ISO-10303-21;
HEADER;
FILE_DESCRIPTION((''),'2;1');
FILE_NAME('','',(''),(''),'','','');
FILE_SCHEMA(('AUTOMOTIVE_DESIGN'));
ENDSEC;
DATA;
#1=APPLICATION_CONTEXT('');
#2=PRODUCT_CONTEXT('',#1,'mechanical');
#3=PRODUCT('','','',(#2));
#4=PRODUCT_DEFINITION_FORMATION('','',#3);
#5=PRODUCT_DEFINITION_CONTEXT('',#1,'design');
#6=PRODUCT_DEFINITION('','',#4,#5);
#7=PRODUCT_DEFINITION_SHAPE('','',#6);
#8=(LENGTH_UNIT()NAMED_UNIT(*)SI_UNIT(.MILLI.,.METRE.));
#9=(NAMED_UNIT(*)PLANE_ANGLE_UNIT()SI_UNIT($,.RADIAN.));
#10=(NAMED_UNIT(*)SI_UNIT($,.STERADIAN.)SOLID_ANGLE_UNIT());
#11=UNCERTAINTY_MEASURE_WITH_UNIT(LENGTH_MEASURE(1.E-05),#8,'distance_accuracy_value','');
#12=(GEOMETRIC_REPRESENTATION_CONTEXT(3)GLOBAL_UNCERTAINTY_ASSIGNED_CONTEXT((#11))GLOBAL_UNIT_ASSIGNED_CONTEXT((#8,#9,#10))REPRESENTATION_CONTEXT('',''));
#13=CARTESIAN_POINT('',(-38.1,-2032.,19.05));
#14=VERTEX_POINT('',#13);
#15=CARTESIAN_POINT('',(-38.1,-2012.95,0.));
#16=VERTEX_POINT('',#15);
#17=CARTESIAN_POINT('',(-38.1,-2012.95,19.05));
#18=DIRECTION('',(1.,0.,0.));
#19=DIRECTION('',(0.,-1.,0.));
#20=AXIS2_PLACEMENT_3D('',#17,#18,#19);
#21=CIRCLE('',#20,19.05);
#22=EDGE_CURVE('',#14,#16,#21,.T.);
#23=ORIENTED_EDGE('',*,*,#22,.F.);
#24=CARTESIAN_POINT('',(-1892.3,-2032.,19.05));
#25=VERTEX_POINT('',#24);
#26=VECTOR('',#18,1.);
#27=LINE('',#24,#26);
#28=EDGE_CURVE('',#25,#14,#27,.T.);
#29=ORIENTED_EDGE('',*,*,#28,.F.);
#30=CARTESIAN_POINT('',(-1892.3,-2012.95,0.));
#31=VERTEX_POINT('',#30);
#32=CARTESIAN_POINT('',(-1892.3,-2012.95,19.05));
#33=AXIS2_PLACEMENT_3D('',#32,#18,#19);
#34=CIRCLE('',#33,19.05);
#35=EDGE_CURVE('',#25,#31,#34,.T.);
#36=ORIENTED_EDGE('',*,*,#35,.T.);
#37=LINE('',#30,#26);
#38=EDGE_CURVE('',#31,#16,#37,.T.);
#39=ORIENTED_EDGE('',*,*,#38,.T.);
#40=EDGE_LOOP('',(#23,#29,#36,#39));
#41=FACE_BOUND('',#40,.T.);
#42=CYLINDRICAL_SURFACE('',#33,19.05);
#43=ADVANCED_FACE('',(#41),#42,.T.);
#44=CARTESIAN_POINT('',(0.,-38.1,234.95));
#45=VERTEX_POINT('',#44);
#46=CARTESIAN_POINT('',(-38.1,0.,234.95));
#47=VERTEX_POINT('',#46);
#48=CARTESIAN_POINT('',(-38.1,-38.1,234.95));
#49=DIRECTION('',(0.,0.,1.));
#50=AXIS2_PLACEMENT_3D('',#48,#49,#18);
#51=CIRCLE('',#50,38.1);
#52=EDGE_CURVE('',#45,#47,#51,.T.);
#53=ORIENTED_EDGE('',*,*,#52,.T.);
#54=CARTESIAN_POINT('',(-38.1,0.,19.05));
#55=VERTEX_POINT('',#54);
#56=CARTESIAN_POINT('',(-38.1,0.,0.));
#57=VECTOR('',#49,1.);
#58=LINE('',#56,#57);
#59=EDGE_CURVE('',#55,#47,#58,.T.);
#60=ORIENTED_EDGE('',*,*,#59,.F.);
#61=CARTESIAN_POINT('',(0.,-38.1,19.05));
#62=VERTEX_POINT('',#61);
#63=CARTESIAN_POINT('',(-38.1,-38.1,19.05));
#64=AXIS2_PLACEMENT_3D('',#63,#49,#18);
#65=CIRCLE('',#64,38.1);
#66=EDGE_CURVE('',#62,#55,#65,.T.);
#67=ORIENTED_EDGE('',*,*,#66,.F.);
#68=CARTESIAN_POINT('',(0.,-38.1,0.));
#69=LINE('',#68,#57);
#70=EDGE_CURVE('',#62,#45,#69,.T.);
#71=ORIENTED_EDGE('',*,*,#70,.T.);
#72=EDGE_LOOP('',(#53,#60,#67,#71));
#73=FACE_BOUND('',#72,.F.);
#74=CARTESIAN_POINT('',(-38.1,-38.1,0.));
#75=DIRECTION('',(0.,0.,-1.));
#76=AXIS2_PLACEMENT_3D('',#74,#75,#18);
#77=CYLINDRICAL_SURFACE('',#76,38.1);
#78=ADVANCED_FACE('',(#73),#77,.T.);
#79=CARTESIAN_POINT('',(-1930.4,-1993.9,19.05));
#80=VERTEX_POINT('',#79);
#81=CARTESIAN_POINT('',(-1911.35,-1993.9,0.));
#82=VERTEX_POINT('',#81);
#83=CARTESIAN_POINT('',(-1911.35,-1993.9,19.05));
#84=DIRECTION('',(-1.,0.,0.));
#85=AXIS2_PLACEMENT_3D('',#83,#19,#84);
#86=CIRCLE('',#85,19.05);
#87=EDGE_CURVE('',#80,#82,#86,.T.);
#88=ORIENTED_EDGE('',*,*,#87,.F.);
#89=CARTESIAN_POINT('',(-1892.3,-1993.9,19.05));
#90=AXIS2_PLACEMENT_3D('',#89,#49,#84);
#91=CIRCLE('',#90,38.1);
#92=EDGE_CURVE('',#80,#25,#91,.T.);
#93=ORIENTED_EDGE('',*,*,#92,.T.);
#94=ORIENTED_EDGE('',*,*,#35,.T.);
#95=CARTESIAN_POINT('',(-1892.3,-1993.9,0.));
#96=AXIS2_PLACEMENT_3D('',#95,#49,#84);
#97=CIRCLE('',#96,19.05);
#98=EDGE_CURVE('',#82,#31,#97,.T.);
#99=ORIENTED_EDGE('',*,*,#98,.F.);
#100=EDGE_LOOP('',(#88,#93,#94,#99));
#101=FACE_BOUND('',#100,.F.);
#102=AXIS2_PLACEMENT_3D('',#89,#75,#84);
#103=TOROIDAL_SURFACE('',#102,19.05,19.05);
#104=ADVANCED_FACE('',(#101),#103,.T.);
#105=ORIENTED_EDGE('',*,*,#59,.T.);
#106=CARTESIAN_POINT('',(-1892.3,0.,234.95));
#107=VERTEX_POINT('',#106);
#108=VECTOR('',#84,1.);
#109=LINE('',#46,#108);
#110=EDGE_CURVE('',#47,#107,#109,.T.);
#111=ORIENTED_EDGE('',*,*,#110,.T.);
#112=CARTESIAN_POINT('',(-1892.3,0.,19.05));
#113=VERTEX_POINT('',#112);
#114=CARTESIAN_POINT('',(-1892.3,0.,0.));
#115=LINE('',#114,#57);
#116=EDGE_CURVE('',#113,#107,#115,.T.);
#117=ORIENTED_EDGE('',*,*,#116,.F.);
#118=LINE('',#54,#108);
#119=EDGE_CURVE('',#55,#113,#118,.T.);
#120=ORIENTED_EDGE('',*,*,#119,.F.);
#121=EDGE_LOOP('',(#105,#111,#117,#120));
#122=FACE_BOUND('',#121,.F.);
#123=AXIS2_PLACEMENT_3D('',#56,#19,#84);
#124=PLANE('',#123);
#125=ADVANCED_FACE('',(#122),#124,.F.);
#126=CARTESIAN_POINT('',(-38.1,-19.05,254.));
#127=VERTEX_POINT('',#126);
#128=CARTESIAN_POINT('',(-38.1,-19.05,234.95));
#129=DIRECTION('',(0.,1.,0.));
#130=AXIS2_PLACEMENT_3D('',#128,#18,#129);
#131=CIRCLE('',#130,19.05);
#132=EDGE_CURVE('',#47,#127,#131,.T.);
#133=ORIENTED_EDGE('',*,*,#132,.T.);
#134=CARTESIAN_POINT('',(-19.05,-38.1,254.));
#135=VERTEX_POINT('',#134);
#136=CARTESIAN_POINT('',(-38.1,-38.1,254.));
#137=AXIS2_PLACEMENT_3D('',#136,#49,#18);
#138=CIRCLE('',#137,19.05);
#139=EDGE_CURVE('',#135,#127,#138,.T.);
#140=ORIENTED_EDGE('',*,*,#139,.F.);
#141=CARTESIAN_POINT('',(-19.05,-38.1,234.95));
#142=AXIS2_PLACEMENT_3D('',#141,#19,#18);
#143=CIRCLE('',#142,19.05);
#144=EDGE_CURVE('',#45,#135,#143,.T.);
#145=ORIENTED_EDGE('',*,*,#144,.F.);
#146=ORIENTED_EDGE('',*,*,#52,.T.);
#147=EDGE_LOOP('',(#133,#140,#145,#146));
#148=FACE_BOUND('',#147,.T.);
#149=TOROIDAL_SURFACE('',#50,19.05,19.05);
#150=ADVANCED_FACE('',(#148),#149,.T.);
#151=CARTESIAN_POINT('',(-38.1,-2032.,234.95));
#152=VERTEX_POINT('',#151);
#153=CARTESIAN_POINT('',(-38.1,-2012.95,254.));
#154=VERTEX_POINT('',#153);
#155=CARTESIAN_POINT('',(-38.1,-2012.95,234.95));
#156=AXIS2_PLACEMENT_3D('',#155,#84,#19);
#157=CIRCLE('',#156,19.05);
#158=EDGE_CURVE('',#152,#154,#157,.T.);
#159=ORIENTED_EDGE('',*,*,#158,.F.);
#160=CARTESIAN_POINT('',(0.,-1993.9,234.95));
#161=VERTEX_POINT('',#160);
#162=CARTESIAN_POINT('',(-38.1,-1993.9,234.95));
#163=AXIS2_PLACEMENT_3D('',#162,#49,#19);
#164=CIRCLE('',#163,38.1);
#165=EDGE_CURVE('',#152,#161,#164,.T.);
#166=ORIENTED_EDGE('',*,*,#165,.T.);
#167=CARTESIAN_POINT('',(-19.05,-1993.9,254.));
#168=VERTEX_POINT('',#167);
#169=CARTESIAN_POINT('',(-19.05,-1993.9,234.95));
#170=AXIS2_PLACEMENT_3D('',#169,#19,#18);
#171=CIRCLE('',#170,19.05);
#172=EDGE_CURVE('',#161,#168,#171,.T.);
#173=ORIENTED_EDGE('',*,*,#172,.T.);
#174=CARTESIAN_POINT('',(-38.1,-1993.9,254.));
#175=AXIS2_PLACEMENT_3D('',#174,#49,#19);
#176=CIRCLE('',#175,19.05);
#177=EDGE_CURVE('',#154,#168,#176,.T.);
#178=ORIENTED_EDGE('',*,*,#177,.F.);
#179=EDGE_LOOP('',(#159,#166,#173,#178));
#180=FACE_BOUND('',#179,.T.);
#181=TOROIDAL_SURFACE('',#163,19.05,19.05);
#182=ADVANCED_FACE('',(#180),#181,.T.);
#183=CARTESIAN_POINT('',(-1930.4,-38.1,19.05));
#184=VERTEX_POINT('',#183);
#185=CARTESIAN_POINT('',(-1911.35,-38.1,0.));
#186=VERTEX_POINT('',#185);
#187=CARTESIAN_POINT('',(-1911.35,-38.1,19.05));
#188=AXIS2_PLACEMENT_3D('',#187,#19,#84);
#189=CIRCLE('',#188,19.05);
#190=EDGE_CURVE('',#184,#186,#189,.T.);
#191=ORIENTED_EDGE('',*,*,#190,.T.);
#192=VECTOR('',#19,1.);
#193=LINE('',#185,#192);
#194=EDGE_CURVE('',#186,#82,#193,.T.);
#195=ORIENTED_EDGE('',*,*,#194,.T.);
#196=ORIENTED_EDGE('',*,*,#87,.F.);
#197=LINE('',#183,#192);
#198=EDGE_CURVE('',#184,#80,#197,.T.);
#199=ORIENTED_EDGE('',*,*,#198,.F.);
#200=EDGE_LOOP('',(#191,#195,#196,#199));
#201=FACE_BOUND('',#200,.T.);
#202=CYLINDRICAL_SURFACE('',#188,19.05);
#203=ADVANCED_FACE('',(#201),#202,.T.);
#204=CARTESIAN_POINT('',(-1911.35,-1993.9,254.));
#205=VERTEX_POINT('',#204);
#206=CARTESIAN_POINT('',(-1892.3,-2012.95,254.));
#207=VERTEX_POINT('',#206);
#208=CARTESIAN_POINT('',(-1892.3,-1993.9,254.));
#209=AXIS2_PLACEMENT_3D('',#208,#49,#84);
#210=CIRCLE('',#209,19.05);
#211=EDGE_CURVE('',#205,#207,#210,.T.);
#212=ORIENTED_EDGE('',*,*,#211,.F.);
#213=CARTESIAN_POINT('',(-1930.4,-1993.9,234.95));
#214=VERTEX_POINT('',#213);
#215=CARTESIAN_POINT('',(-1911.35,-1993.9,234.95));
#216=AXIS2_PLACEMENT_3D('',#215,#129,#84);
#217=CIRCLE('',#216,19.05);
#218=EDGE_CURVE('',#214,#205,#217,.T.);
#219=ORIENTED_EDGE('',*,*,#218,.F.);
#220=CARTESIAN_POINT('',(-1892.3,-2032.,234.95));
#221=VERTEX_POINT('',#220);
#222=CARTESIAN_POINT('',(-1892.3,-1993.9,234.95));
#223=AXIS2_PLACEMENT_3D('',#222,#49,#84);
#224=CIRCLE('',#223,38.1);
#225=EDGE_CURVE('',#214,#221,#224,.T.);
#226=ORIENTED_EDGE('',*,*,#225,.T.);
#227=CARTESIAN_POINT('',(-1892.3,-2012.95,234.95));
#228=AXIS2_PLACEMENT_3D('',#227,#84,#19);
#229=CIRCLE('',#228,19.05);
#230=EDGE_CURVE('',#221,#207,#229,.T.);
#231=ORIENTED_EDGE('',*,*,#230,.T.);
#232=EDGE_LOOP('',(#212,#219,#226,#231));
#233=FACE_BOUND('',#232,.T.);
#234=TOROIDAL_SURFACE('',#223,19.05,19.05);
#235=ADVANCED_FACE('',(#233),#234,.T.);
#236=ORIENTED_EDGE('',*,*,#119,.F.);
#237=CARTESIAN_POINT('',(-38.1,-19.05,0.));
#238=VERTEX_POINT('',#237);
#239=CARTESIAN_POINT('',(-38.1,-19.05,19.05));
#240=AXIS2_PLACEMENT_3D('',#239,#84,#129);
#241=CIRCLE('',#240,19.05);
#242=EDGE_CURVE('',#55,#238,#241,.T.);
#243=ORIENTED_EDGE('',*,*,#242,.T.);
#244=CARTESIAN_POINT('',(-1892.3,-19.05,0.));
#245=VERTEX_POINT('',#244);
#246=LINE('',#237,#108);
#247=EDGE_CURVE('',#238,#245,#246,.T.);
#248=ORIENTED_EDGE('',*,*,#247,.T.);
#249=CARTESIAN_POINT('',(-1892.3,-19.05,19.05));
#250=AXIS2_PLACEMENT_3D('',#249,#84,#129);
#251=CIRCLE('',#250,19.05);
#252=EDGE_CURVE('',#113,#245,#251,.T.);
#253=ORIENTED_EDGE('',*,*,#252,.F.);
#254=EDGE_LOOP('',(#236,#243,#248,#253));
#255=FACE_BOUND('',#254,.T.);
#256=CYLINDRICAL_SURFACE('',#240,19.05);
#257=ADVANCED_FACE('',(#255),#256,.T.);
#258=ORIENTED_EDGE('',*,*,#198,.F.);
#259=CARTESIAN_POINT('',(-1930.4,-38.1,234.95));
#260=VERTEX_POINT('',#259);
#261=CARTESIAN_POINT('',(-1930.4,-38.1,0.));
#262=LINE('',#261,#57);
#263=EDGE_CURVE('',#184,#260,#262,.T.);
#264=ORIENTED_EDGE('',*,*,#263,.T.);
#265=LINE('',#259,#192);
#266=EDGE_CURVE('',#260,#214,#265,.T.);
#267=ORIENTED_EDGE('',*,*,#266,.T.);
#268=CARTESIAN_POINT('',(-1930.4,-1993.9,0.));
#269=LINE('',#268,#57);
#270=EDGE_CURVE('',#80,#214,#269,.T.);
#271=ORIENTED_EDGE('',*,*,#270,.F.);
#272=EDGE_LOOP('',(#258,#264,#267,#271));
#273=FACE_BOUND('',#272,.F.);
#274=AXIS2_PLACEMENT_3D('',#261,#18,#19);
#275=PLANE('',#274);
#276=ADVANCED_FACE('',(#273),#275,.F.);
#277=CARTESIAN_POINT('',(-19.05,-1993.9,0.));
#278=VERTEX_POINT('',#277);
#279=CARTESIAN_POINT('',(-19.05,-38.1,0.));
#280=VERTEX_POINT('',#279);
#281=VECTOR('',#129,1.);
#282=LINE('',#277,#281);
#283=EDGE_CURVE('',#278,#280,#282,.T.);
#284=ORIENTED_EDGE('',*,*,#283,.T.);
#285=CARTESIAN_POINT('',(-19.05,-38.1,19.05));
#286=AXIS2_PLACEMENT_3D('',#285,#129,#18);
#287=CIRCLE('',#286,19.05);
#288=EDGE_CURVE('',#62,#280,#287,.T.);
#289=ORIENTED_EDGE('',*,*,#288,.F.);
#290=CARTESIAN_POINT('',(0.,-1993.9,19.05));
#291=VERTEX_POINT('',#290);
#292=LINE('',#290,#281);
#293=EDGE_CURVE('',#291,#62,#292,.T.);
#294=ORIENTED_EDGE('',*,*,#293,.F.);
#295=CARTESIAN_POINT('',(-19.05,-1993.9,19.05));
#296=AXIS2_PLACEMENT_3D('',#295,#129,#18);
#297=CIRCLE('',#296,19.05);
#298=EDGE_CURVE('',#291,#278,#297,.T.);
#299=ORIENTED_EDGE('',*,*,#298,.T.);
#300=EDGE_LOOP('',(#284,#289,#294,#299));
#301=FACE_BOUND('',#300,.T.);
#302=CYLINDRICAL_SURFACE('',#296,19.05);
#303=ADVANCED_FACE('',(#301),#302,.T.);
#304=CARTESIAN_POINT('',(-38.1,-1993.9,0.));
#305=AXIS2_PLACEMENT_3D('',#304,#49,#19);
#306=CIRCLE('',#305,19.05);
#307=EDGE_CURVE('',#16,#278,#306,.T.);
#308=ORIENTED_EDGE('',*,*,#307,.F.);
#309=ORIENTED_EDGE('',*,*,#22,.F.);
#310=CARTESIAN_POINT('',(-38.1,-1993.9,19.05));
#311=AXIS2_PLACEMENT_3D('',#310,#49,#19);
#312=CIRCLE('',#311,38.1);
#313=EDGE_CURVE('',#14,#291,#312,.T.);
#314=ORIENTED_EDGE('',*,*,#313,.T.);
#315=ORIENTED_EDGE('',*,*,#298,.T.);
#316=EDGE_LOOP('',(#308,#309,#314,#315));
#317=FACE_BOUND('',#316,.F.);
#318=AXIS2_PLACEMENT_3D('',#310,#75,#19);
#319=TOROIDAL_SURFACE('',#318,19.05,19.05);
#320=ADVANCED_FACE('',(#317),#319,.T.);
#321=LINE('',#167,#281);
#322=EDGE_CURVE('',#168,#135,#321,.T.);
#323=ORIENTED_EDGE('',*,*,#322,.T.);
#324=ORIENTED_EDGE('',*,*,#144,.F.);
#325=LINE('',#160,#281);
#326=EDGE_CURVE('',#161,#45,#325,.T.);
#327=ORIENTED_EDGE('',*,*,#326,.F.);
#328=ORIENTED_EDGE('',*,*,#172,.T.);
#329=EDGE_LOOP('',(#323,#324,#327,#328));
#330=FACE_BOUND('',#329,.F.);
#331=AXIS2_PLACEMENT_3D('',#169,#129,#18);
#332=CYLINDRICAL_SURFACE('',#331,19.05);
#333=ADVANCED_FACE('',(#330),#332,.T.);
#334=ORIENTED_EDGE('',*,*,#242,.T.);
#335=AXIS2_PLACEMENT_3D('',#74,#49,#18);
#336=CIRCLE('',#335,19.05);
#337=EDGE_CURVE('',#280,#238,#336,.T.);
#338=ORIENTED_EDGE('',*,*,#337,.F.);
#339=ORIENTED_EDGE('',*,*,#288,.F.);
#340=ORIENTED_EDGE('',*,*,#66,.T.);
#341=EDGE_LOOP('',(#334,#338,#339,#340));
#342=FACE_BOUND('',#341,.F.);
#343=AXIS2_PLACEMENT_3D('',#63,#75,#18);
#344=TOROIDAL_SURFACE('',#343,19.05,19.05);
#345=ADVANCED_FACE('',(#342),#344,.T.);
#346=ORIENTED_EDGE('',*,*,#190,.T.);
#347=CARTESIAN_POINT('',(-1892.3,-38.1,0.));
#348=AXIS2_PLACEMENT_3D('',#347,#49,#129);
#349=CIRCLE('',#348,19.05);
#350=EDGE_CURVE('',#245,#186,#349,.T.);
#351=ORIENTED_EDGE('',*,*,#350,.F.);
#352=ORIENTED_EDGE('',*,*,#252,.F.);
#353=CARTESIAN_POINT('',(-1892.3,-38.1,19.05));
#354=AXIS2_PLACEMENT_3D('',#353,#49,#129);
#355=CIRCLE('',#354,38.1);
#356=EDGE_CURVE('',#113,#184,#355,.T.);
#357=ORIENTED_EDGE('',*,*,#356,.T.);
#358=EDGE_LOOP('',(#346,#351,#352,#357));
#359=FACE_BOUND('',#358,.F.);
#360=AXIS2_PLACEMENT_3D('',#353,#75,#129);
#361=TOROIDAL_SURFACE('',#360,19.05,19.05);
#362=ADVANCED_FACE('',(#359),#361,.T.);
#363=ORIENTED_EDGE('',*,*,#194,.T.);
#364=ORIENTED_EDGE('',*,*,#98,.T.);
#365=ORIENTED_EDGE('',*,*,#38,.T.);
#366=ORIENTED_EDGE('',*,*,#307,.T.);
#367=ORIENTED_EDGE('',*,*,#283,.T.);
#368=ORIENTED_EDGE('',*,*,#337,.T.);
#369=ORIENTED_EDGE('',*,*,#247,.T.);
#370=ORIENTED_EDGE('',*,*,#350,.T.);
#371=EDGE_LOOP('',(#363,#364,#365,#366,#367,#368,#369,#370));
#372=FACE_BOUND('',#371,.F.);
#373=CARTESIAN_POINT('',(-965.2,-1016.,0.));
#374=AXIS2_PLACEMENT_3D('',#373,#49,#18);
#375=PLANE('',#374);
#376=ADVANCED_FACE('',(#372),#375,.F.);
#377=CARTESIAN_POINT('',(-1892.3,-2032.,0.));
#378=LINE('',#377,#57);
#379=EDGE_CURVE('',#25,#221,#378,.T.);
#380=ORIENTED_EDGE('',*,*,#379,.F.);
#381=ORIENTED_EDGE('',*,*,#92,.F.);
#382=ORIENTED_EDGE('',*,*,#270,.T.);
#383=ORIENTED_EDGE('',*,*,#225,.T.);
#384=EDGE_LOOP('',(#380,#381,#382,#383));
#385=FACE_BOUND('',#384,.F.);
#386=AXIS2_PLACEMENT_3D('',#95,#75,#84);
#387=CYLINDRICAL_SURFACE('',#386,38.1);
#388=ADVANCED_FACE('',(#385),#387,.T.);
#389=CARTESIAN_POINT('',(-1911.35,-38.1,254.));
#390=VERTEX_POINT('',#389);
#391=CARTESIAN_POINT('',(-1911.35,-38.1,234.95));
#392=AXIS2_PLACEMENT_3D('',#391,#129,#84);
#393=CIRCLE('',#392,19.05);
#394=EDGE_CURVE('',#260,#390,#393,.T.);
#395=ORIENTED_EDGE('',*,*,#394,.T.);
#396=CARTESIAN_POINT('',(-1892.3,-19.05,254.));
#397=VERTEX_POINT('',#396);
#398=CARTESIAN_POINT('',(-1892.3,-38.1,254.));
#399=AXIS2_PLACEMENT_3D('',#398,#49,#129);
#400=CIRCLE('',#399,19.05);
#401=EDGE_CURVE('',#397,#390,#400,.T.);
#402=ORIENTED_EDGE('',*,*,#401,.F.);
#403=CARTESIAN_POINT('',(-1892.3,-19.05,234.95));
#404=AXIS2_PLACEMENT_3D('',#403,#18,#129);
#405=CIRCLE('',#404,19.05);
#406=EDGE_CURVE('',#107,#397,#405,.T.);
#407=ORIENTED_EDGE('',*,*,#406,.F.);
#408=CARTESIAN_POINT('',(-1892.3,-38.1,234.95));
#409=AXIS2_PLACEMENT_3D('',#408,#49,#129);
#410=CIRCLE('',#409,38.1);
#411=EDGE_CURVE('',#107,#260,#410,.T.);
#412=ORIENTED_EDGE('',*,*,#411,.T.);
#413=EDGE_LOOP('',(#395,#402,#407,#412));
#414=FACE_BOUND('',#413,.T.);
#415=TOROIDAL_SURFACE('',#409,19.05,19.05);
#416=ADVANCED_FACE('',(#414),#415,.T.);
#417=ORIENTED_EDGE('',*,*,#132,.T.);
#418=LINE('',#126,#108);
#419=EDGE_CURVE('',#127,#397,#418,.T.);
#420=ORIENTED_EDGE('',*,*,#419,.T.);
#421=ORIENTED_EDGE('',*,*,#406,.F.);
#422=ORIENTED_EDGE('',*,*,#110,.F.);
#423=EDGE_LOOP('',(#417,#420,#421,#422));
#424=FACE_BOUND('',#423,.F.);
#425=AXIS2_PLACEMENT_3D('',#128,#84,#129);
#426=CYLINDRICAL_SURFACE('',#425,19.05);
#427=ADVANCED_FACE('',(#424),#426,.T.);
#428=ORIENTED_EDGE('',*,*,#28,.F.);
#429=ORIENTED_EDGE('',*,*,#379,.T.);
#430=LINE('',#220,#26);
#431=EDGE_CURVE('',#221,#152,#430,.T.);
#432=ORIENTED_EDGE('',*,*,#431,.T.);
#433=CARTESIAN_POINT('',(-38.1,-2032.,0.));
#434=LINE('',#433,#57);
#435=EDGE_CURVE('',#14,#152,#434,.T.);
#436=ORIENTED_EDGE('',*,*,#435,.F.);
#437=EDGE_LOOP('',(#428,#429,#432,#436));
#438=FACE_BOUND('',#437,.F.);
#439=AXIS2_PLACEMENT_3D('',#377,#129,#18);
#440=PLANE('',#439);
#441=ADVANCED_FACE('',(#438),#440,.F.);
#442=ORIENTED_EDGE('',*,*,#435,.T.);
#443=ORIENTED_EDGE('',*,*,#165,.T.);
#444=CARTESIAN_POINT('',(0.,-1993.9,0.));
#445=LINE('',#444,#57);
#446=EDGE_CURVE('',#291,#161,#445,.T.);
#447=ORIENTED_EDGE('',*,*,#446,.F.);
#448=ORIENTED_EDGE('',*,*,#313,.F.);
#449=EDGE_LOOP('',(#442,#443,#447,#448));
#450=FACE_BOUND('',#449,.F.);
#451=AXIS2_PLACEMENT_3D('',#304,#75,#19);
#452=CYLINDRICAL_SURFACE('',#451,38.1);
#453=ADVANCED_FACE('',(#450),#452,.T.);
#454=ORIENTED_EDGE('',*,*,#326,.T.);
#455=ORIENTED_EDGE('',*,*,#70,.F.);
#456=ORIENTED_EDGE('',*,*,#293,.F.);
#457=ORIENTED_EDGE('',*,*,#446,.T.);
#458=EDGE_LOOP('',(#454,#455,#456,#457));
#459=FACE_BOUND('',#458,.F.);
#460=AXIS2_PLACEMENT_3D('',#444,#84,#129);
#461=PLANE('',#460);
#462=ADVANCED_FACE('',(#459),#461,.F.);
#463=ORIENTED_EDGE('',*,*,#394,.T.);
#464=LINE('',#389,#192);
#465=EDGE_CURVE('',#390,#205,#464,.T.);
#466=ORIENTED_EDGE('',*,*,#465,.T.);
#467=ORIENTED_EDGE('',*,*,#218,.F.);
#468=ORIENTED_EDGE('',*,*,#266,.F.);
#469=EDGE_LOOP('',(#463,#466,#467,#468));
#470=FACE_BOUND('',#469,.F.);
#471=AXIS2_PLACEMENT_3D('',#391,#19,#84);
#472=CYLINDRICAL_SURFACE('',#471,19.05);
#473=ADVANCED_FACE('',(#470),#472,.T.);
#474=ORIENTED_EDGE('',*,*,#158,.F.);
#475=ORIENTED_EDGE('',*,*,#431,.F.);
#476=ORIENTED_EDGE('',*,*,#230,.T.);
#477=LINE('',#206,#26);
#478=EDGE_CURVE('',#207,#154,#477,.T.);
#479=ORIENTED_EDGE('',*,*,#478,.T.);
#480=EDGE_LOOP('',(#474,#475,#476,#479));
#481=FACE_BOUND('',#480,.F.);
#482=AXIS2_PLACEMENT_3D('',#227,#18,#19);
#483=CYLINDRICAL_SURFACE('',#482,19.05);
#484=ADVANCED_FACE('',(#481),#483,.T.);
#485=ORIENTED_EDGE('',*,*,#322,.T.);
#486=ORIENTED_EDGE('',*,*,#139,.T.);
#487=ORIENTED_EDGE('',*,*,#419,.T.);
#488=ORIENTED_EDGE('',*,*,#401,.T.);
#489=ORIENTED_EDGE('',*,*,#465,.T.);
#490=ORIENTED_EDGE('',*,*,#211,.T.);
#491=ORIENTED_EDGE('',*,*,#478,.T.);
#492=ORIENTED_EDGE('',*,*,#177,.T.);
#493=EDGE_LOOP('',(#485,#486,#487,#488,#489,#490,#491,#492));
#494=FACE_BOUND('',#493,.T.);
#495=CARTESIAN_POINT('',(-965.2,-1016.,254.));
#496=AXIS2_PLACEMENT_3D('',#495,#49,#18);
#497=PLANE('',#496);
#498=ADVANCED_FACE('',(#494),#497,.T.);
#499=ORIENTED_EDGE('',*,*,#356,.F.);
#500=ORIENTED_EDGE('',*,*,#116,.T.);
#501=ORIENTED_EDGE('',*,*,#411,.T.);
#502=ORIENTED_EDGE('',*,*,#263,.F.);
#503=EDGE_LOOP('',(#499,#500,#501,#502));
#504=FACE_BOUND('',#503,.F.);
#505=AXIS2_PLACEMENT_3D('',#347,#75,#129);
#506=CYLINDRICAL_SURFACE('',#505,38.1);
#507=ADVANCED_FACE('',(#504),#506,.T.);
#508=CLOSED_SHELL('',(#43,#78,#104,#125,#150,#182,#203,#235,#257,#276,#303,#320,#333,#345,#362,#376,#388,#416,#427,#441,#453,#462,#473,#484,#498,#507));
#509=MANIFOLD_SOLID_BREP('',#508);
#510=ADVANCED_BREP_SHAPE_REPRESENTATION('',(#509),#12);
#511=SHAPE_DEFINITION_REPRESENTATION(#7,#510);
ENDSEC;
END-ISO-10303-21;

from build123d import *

# Parameters (mm, degrees)
F2_DEPTH = 254
F3_R     = 19.05
F4_R     = 19.05


with BuildPart() as f2:
    # F1 (on Top) → F2 (new body)
    with BuildSketch(Plane.XY):
        with BuildLine():
            ThreePointArc((0, -38.1), (-11.1592316368, -11.1592316368), (-38.1, 0))
            Line((-38.1, 0), (-1892.3, 0))
            ThreePointArc((-1892.3, 0), (-1919.2407683632, -11.1592316368), (-1930.4, -38.1))
            Line((-1930.4, -38.1), (-1930.4, -1993.9))
            ThreePointArc((-1930.4, -1993.9), (-1919.2407683632, -2020.8407683632), (-1892.3, -2032))
            Line((-1892.3, -2032), (-38.1, -2032))
            ThreePointArc((-38.1, -2032), (-11.1592316368, -2020.8407683632), (0, -1993.9))
            Line((0, -1993.9), (0, -38.1))
        make_face()
    extrude(amount=F2_DEPTH)

    # F3
    f3_edges = [f2.edges().sort_by_distance(p)[0] for p in [
        (0, -1016, 254),
        (-11.159232, -11.159232, 254),
        (-965.2, 0, 254),
        (-1919.240768, -11.159232, 254),
        (-1930.4, -1016, 254),
        (-1919.240768, -2020.840768, 254),
        (-965.2, -2032, 254),
        (-11.159232, -2020.840768, 254),
    ]]
    fillet(f3_edges, radius=F3_R)

    # F4
    f4_edges = [f2.edges().sort_by_distance(p)[0] for p in [
        (0, -1016, 0),
        (-11.159232, -11.159232, 0),
        (-965.2, 0, 0),
        (-1919.240768, -11.159232, 0),
        (-1930.4, -1016, 0),
        (-1919.240768, -2020.840768, 0),
        (-965.2, -2032, 0),
        (-11.159232, -2020.840768, 0),
    ]]
    fillet(f4_edges, radius=F4_R)


solid = f2.part
